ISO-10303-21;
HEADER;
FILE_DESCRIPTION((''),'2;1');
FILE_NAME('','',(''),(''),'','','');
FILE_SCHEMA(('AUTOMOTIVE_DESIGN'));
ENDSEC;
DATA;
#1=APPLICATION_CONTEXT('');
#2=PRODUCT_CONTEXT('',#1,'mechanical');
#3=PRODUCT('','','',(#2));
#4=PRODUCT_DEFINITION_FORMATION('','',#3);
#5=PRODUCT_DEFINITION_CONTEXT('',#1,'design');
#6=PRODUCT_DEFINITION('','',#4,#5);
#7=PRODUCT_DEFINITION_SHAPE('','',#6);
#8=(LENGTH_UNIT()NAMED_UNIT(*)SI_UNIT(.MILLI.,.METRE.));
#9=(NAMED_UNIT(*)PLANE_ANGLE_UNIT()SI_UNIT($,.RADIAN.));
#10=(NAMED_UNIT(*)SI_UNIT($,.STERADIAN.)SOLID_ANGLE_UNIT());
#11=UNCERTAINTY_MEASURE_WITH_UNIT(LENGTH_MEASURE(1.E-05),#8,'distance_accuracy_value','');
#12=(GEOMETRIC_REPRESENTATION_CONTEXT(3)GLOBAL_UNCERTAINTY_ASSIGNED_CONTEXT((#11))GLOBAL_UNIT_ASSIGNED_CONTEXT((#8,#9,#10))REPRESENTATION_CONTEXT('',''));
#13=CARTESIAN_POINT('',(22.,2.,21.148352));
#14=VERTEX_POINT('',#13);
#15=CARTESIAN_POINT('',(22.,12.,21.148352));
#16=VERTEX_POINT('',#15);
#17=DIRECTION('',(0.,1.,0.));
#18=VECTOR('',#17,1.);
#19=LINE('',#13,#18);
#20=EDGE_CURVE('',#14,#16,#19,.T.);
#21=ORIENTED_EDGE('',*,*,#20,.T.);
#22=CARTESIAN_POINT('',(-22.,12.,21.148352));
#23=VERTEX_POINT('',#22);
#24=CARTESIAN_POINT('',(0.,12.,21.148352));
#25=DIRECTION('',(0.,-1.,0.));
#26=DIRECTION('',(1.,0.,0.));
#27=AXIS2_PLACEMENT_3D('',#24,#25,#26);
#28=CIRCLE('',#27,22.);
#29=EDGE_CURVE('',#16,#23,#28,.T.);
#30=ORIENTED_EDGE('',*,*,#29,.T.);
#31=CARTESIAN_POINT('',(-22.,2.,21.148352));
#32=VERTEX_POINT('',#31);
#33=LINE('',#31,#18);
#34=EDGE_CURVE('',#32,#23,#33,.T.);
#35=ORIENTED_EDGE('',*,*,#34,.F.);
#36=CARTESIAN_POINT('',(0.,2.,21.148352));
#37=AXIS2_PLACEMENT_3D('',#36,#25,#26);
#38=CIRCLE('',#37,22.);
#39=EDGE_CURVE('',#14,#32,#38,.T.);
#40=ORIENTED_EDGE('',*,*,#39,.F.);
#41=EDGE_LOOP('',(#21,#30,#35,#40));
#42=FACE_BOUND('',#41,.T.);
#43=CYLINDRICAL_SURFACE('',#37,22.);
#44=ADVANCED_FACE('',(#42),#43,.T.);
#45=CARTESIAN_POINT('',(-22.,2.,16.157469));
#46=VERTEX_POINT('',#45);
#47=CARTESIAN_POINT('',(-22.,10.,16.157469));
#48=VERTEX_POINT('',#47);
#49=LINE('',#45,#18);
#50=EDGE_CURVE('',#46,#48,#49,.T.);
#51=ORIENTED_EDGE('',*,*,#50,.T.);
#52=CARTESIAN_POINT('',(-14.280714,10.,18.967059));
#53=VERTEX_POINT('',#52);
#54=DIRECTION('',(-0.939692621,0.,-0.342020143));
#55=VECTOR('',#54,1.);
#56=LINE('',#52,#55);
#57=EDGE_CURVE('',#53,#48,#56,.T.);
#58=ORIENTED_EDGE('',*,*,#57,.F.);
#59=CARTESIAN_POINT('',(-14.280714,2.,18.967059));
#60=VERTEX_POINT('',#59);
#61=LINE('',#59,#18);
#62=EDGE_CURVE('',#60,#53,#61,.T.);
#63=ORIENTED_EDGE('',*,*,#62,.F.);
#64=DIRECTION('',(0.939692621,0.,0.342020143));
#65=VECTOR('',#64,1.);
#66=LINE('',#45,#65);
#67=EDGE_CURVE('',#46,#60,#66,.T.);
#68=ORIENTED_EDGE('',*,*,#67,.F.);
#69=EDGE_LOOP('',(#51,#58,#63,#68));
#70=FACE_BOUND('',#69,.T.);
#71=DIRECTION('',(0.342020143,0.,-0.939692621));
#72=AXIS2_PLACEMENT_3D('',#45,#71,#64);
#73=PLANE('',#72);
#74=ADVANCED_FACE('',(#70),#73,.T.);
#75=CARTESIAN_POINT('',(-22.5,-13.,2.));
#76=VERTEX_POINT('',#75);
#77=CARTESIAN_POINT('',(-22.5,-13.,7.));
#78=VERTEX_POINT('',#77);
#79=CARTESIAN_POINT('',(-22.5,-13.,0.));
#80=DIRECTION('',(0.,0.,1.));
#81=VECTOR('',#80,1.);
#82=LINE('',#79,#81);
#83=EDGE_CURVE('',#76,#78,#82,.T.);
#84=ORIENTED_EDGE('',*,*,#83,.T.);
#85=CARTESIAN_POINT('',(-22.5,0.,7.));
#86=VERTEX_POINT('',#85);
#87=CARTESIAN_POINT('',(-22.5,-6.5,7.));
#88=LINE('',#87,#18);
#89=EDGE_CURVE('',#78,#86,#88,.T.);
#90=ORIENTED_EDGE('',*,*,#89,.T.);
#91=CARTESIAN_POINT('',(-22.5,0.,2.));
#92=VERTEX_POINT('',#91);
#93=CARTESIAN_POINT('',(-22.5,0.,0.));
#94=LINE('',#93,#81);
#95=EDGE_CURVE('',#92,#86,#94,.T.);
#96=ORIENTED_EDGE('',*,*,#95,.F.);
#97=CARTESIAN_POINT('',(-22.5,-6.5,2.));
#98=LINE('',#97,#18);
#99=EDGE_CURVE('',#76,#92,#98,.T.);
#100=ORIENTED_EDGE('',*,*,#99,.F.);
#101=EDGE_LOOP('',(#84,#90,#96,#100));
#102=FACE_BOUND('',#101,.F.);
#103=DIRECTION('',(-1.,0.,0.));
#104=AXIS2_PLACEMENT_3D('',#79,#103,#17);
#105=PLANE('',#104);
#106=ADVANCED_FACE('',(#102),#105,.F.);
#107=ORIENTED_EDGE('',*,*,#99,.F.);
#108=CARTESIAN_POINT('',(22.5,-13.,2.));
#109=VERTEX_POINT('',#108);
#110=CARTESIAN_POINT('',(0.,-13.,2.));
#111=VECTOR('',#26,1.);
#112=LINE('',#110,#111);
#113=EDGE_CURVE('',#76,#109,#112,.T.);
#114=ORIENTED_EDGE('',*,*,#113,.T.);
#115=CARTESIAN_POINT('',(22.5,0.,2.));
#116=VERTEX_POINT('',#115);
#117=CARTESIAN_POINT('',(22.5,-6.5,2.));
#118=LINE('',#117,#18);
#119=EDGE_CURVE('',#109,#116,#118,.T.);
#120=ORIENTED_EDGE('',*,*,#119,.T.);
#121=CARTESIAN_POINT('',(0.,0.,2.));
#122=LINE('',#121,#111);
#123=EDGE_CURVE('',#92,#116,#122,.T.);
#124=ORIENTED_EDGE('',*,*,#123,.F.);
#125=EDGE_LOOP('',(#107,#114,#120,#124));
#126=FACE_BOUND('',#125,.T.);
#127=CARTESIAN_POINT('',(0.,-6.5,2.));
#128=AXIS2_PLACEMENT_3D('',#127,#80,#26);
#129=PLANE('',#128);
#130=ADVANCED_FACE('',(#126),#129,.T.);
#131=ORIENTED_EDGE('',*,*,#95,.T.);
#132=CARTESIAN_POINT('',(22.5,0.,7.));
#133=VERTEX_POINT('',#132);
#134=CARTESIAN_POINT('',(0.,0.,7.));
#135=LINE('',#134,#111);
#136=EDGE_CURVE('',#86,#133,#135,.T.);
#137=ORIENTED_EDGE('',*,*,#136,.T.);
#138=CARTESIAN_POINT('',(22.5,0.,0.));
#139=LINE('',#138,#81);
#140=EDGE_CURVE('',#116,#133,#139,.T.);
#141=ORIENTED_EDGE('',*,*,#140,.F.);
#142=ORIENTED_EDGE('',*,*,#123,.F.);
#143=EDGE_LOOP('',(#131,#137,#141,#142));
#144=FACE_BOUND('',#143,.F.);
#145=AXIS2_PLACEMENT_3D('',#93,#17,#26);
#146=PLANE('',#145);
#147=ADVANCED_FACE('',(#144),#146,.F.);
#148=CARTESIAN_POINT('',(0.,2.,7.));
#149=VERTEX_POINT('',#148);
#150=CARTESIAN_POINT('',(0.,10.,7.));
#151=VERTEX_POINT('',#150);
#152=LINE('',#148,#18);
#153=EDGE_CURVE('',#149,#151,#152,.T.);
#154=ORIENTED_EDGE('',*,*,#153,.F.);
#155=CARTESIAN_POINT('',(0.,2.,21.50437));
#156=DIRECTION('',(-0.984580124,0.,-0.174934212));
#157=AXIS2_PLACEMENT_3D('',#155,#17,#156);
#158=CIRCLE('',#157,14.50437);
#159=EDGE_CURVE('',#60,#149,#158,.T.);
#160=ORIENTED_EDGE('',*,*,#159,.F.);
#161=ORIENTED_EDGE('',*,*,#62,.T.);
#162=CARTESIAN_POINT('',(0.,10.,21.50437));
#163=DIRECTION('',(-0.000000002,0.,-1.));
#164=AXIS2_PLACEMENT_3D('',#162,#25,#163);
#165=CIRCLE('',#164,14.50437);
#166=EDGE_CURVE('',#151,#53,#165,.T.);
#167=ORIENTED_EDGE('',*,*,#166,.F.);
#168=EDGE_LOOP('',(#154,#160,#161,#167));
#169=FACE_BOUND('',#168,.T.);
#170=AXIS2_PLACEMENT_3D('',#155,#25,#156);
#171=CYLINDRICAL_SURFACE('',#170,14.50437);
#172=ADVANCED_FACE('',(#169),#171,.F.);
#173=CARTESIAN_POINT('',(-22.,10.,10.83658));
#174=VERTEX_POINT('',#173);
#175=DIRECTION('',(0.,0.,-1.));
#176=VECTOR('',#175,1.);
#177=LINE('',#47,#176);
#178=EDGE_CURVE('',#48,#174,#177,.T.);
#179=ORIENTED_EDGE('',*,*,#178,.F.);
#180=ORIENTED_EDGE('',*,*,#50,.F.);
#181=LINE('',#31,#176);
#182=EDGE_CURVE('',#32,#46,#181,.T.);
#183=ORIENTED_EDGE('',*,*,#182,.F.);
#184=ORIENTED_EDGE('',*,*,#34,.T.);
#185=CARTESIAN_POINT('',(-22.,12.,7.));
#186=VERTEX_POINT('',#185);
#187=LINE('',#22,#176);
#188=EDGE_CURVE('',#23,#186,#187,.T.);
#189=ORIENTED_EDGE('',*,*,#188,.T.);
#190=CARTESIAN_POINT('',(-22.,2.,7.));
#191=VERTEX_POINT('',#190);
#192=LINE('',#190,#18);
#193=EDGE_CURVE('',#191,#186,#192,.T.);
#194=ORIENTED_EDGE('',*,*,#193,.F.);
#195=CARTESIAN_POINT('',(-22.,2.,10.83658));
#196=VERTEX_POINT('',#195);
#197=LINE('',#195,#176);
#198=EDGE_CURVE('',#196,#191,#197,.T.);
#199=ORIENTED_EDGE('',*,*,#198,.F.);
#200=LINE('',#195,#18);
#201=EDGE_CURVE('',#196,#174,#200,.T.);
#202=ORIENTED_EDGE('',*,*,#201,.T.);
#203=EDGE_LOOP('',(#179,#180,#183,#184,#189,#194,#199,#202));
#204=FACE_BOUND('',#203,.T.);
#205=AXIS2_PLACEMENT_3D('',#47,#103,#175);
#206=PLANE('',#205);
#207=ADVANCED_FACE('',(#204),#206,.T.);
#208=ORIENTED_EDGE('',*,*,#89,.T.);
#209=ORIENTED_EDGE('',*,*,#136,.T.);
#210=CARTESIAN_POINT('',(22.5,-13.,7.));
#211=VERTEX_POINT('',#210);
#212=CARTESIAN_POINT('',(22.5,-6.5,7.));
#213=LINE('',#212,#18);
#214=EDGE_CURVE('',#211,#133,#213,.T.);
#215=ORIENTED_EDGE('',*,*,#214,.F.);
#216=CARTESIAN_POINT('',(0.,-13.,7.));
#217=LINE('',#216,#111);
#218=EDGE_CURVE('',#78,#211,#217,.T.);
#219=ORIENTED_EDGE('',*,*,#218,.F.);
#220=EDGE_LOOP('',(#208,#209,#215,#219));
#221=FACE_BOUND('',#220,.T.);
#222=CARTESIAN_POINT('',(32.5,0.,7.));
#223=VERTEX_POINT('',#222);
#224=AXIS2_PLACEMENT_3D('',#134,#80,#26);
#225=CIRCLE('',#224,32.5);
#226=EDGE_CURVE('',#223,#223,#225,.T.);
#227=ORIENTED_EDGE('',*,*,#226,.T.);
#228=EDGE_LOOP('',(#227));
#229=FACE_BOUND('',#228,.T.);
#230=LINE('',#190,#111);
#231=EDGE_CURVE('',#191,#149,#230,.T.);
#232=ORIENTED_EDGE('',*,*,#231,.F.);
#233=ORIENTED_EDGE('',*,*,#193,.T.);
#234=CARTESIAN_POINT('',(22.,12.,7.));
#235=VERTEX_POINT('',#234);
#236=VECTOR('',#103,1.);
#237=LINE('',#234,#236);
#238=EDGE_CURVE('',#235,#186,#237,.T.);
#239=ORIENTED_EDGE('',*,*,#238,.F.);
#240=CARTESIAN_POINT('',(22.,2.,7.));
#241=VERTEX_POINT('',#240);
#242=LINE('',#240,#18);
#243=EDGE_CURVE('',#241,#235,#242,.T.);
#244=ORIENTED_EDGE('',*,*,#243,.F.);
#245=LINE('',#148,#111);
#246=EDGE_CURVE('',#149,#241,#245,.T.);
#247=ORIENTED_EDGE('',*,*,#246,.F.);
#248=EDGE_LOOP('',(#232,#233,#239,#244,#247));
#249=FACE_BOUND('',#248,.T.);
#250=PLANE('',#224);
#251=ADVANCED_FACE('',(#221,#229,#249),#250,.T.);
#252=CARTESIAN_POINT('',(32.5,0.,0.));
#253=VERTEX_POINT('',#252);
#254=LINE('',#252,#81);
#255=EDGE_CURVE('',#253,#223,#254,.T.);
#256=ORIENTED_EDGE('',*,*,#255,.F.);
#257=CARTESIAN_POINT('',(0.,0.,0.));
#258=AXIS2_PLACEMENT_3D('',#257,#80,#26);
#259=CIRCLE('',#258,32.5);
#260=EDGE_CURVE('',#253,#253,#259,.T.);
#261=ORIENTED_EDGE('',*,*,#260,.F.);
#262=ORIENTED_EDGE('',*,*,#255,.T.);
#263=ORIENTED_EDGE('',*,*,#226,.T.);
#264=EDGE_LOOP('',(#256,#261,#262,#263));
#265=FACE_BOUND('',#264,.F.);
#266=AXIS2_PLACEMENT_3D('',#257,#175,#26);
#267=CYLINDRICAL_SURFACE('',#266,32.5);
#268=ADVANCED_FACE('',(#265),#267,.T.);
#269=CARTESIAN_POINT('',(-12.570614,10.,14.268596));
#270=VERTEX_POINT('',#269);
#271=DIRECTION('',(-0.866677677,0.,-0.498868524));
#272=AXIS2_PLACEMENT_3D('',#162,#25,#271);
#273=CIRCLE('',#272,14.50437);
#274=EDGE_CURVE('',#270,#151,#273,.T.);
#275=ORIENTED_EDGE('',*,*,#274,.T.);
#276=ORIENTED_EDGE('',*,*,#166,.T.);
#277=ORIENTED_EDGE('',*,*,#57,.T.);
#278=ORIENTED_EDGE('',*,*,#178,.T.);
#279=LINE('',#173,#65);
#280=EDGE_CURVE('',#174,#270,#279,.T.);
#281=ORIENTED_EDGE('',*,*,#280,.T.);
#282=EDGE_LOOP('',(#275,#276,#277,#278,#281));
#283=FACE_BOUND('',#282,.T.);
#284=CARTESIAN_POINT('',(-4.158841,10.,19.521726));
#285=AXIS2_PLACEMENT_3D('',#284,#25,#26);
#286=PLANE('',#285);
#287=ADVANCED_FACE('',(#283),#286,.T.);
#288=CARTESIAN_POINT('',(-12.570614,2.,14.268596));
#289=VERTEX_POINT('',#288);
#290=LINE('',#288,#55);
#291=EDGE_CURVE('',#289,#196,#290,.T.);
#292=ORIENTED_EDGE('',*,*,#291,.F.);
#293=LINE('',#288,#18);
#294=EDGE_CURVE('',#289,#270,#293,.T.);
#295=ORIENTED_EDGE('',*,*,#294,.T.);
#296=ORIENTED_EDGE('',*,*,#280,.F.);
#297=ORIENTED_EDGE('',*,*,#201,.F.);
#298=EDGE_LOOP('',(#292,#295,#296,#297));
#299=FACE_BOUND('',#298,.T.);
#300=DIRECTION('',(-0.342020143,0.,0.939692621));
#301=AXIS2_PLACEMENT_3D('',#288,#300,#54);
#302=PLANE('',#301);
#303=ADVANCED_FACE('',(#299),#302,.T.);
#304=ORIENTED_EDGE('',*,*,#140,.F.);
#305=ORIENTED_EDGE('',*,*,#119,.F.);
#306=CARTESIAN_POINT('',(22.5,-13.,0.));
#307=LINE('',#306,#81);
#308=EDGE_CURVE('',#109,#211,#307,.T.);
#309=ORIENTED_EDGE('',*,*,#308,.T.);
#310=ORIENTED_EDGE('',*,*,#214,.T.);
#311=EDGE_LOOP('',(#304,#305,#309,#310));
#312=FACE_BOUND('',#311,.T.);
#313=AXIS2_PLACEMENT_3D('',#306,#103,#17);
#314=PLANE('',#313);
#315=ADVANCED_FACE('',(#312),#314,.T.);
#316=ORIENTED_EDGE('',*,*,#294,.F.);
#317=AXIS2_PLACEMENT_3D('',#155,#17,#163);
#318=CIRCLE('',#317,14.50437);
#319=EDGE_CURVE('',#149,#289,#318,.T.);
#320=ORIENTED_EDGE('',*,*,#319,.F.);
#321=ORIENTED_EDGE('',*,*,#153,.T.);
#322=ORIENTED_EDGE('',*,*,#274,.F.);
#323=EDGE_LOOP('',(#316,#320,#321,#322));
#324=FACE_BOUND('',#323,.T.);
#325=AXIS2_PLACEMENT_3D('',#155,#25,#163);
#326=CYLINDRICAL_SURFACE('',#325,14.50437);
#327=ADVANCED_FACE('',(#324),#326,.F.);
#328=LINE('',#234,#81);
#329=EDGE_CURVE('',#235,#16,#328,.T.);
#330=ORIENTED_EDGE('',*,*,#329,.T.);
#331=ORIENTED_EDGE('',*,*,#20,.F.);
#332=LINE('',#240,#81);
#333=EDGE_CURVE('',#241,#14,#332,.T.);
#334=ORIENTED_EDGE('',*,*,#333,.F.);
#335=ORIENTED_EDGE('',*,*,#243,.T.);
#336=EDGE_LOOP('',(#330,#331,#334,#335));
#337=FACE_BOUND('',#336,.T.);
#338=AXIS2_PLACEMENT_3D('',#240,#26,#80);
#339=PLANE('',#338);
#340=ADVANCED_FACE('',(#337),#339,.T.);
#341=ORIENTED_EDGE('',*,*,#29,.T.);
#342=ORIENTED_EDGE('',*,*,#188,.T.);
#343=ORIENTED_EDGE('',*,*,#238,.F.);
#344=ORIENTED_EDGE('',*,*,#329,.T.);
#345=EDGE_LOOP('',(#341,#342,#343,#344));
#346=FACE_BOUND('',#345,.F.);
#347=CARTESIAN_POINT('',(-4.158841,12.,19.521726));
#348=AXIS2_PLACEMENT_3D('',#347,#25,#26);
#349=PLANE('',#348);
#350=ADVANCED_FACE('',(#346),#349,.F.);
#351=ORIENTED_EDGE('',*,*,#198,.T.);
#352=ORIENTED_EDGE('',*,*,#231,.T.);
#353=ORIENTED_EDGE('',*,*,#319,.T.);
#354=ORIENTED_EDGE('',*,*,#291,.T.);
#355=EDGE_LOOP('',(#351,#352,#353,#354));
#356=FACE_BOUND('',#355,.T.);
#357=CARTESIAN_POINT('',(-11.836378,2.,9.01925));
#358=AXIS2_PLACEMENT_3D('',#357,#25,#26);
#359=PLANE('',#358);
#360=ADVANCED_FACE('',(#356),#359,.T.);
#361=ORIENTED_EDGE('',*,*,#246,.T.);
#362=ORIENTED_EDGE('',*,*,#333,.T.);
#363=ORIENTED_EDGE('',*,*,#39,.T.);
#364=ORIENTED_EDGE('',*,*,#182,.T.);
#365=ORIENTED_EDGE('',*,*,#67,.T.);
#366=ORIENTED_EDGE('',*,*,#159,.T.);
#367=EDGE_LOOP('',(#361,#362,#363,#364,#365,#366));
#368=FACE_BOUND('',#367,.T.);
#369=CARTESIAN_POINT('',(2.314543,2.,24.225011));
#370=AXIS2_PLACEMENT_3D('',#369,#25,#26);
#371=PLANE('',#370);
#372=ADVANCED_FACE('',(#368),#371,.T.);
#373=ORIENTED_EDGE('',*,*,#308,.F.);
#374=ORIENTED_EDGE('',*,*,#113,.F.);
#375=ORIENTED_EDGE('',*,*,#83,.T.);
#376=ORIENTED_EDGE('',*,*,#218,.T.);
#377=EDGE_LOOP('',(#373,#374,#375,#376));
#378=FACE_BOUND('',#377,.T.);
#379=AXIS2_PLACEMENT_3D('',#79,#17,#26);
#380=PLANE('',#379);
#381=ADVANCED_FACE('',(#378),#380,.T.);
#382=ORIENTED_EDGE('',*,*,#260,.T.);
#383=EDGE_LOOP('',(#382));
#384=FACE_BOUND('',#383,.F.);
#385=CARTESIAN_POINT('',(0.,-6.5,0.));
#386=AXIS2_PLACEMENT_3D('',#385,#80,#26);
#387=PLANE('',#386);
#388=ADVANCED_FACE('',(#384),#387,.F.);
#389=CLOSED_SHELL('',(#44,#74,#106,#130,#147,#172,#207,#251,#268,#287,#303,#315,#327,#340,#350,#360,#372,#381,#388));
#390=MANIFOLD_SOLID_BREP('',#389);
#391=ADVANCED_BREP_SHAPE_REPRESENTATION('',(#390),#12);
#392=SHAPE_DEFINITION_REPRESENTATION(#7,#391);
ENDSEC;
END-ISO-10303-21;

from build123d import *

# Parameters (mm, degrees)
F0_R     = 32.5
F0_W     = 45
F0_H     = 13
F1_DEPTH = 7
F2_DEPTH = 2
F5_DEPTH = 10
F6_START = -8
F6_DEPTH = 2


with BuildPart() as f1:
    # F0 (on Top) → F1 (new body)
    with BuildSketch(Plane.XY):
        Circle(F0_R)
        with Locations((0, -6.5)):
            Rectangle(F0_W, F0_H, mode=Mode.SUBTRACT)
    extrude(amount=F1_DEPTH)

    # F0 (on Top) → F2 (join)
    with BuildSketch(Plane.XY):
        with Locations((0, -6.5)):
            Rectangle(F0_W, F0_H)
    extrude(amount=F2_DEPTH)

    # F4 (on offset) → F5 (join)
    with BuildSketch(Plane.XZ.offset(-2)):
        with BuildLine():
            ThreePointArc((-14.280714402, 18.9670594471), (9.3159717217, 32.6214478116), (-2.92e-08, 7))
            Line((-2.92e-08, 7), (22, 7))
            Line((22, 7), (22, 21.1483523101))
            ThreePointArc((22, 21.1483523101), (0, 43.1483523101), (-22, 21.1483523101))
            Line((-22, 21.1483523101), (-22, 16.1574692596))
            Line((-22, 16.1574692596), (-14.280714402, 18.9670594471))
        make_face()
        with BuildLine():
            ThreePointArc((-2.92e-08, 7), (-7.2603860428, 8.9479555621), (-12.5706136854, 14.2685963432))
            Line((-12.5706136854, 14.2685963432), (-22, 10.8365803972))
            Line((-22, 10.8365803972), (-22, 7))
            Line((-22, 7), (-2.92e-08, 7))
        make_face()
    extrude(amount=-F5_DEPTH)

    # F4 (on offset) → F6 (join)
    with BuildSketch(Plane.XZ.offset(-2).offset(F6_START)):
        with BuildLine():
            Line((-22, 10.8365803972), (-12.5706136854, 14.2685963432))
            ThreePointArc((-12.5706136854, 14.2685963432), (-7.2603860428, 8.9479555621), (-2.92e-08, 7))
            ThreePointArc((-2.92e-08, 7), (9.3159717217, 32.6214478116), (-14.280714402, 18.9670594471))
            Line((-14.280714402, 18.9670594471), (-22, 16.1574692596))
            Line((-22, 16.1574692596), (-22, 10.8365803972))
        make_face()
    extrude(amount=-F6_DEPTH)


solid = f1.part
